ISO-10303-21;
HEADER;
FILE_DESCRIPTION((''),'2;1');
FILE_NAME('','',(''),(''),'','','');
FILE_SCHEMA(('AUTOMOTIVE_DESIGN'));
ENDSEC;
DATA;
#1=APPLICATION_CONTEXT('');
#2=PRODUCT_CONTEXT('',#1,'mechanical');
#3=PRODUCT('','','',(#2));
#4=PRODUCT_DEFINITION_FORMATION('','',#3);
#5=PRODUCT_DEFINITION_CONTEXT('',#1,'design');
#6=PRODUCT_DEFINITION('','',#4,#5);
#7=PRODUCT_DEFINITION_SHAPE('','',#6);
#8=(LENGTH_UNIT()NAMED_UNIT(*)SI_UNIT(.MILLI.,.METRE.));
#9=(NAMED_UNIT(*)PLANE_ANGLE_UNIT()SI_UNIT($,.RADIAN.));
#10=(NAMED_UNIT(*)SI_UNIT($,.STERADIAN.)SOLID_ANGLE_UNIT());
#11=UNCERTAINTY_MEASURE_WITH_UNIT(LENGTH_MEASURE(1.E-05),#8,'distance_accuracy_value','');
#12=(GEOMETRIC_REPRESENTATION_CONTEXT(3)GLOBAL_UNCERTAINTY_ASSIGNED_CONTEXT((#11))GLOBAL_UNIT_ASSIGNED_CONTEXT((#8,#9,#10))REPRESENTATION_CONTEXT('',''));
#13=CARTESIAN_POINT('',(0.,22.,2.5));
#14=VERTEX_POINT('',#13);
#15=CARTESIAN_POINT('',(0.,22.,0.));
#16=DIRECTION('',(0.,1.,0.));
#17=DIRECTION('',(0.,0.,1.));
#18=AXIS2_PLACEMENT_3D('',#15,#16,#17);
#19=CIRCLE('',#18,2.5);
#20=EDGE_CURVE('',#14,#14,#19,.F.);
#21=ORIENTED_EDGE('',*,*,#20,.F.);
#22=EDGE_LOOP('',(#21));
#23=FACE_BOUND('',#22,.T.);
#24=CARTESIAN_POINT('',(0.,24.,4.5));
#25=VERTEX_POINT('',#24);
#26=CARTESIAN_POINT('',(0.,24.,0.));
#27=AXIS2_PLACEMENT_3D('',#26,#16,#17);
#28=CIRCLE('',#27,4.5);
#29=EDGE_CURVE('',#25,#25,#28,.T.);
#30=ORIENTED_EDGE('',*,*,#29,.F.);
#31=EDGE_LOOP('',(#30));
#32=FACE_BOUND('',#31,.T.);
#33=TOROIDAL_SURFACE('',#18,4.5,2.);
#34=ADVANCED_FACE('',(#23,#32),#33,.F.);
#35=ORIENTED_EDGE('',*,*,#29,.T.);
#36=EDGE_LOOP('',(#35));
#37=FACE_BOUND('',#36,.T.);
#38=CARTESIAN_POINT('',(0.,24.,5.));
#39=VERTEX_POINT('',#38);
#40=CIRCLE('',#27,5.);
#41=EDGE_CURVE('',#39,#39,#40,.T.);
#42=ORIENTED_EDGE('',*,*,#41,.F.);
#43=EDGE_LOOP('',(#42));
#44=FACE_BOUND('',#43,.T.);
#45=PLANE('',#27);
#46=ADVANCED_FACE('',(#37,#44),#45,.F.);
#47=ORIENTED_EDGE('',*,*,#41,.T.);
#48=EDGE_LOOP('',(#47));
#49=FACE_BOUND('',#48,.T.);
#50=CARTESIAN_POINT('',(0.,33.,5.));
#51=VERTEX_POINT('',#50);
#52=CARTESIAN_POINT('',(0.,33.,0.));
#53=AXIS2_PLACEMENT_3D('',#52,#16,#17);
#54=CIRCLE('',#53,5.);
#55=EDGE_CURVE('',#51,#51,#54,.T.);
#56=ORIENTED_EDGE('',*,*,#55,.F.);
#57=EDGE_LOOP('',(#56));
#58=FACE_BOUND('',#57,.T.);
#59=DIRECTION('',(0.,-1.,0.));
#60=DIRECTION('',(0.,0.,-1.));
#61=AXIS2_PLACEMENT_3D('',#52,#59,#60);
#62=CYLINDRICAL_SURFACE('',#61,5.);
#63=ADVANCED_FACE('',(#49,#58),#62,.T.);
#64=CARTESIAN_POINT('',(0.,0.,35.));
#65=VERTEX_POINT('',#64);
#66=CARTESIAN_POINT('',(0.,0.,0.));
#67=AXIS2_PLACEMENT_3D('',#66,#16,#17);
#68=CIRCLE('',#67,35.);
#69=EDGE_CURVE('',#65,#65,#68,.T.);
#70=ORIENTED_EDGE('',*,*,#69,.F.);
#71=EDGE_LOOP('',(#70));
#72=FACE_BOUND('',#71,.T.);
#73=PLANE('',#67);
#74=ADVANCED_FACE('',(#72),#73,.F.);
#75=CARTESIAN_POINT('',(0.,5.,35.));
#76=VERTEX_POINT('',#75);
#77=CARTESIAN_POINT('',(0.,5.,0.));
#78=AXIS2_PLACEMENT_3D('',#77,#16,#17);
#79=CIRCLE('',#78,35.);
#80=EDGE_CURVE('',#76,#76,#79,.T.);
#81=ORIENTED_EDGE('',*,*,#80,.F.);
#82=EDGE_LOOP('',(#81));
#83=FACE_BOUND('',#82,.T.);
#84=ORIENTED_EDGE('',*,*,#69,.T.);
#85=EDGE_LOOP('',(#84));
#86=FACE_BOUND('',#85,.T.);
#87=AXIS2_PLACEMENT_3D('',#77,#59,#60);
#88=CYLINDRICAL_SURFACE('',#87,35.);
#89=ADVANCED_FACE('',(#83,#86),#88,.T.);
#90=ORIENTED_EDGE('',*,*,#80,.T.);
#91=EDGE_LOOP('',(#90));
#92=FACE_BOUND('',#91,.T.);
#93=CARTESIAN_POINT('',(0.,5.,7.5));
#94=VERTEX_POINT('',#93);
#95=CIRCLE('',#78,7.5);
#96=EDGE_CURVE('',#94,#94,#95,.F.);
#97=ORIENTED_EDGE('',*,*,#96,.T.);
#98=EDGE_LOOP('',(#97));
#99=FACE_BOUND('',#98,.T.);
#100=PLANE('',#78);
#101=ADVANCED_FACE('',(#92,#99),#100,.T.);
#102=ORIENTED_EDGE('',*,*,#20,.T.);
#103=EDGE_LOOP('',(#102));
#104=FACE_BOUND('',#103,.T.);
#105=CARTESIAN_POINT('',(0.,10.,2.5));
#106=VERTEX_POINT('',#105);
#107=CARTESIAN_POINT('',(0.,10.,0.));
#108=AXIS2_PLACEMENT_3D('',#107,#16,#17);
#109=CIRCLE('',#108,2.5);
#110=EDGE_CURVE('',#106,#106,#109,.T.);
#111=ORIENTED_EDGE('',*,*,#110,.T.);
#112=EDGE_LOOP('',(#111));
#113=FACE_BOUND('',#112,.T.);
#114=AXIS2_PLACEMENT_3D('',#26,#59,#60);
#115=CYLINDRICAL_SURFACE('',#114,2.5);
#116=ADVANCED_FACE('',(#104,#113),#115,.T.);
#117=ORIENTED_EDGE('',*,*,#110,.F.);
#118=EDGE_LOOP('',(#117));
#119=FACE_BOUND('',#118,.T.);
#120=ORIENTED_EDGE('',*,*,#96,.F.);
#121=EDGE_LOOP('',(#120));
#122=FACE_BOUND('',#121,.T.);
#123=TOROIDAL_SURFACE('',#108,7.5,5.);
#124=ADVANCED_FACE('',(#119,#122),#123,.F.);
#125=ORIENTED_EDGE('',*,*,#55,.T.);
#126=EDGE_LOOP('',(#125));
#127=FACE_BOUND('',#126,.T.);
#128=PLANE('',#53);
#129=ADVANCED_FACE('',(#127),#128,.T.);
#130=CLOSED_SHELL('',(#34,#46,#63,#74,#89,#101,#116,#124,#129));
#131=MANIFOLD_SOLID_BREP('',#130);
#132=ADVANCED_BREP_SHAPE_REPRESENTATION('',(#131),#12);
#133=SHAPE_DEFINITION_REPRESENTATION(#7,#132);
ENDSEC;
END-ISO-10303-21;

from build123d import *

# Parameters (mm, degrees)
SKETCH_1_R      = 35
EXTRUDE_1_DEPTH = 5
SKETCH_2_R      = 2.5
EXTRUDE_2_DEPTH = 19
SKETCH_3_R      = 5
EXTRUDE_3_DEPTH = 9
FILLET_1_R      = 5
FILLET_2_R      = 2


with BuildPart() as part:
    # 草图1 → 凸台-拉伸1 (new body)
    with BuildSketch(Plane(origin=(0, 0, 0), x_dir=(1, 0, 0), z_dir=(0, 1, 0))):
        with Locations(Location((0, 0, 0), (0, 0, 270))):
            Circle(SKETCH_1_R)
    extrude(amount=EXTRUDE_1_DEPTH)

    # 草图2 → 凸台-拉伸2 (add)
    with BuildSketch(Plane(origin=(0, 5, 0), x_dir=(1, 0, 0), z_dir=(0, 1, 0))):
        with Locations(Location((0, 0, 0), (0, 0, 270))):
            Circle(SKETCH_2_R)
    extrude(amount=EXTRUDE_2_DEPTH)

    # 草图3 → 凸台-拉伸3 (add)
    with BuildSketch(Plane(origin=(0, 24, 0), x_dir=(1, 0, 0), z_dir=(0, 1, 0))):
        with Locations(Location((0, 0, 0), (0, 0, 270))):
            Circle(SKETCH_3_R)
    extrude(amount=EXTRUDE_3_DEPTH)

    # 圆角1
    fillet_1_edges = [part.edges().sort_by_distance(p)[0] for p in [
        (0, 5, -2.5),
    ]]
    fillet(fillet_1_edges, radius=FILLET_1_R)

    # 圆角2
    fillet_2_edges = [part.edges().sort_by_distance(p)[0] for p in [
        (0, 24, -2.5),
    ]]
    fillet(fillet_2_edges, radius=FILLET_2_R)


solid = part.part
